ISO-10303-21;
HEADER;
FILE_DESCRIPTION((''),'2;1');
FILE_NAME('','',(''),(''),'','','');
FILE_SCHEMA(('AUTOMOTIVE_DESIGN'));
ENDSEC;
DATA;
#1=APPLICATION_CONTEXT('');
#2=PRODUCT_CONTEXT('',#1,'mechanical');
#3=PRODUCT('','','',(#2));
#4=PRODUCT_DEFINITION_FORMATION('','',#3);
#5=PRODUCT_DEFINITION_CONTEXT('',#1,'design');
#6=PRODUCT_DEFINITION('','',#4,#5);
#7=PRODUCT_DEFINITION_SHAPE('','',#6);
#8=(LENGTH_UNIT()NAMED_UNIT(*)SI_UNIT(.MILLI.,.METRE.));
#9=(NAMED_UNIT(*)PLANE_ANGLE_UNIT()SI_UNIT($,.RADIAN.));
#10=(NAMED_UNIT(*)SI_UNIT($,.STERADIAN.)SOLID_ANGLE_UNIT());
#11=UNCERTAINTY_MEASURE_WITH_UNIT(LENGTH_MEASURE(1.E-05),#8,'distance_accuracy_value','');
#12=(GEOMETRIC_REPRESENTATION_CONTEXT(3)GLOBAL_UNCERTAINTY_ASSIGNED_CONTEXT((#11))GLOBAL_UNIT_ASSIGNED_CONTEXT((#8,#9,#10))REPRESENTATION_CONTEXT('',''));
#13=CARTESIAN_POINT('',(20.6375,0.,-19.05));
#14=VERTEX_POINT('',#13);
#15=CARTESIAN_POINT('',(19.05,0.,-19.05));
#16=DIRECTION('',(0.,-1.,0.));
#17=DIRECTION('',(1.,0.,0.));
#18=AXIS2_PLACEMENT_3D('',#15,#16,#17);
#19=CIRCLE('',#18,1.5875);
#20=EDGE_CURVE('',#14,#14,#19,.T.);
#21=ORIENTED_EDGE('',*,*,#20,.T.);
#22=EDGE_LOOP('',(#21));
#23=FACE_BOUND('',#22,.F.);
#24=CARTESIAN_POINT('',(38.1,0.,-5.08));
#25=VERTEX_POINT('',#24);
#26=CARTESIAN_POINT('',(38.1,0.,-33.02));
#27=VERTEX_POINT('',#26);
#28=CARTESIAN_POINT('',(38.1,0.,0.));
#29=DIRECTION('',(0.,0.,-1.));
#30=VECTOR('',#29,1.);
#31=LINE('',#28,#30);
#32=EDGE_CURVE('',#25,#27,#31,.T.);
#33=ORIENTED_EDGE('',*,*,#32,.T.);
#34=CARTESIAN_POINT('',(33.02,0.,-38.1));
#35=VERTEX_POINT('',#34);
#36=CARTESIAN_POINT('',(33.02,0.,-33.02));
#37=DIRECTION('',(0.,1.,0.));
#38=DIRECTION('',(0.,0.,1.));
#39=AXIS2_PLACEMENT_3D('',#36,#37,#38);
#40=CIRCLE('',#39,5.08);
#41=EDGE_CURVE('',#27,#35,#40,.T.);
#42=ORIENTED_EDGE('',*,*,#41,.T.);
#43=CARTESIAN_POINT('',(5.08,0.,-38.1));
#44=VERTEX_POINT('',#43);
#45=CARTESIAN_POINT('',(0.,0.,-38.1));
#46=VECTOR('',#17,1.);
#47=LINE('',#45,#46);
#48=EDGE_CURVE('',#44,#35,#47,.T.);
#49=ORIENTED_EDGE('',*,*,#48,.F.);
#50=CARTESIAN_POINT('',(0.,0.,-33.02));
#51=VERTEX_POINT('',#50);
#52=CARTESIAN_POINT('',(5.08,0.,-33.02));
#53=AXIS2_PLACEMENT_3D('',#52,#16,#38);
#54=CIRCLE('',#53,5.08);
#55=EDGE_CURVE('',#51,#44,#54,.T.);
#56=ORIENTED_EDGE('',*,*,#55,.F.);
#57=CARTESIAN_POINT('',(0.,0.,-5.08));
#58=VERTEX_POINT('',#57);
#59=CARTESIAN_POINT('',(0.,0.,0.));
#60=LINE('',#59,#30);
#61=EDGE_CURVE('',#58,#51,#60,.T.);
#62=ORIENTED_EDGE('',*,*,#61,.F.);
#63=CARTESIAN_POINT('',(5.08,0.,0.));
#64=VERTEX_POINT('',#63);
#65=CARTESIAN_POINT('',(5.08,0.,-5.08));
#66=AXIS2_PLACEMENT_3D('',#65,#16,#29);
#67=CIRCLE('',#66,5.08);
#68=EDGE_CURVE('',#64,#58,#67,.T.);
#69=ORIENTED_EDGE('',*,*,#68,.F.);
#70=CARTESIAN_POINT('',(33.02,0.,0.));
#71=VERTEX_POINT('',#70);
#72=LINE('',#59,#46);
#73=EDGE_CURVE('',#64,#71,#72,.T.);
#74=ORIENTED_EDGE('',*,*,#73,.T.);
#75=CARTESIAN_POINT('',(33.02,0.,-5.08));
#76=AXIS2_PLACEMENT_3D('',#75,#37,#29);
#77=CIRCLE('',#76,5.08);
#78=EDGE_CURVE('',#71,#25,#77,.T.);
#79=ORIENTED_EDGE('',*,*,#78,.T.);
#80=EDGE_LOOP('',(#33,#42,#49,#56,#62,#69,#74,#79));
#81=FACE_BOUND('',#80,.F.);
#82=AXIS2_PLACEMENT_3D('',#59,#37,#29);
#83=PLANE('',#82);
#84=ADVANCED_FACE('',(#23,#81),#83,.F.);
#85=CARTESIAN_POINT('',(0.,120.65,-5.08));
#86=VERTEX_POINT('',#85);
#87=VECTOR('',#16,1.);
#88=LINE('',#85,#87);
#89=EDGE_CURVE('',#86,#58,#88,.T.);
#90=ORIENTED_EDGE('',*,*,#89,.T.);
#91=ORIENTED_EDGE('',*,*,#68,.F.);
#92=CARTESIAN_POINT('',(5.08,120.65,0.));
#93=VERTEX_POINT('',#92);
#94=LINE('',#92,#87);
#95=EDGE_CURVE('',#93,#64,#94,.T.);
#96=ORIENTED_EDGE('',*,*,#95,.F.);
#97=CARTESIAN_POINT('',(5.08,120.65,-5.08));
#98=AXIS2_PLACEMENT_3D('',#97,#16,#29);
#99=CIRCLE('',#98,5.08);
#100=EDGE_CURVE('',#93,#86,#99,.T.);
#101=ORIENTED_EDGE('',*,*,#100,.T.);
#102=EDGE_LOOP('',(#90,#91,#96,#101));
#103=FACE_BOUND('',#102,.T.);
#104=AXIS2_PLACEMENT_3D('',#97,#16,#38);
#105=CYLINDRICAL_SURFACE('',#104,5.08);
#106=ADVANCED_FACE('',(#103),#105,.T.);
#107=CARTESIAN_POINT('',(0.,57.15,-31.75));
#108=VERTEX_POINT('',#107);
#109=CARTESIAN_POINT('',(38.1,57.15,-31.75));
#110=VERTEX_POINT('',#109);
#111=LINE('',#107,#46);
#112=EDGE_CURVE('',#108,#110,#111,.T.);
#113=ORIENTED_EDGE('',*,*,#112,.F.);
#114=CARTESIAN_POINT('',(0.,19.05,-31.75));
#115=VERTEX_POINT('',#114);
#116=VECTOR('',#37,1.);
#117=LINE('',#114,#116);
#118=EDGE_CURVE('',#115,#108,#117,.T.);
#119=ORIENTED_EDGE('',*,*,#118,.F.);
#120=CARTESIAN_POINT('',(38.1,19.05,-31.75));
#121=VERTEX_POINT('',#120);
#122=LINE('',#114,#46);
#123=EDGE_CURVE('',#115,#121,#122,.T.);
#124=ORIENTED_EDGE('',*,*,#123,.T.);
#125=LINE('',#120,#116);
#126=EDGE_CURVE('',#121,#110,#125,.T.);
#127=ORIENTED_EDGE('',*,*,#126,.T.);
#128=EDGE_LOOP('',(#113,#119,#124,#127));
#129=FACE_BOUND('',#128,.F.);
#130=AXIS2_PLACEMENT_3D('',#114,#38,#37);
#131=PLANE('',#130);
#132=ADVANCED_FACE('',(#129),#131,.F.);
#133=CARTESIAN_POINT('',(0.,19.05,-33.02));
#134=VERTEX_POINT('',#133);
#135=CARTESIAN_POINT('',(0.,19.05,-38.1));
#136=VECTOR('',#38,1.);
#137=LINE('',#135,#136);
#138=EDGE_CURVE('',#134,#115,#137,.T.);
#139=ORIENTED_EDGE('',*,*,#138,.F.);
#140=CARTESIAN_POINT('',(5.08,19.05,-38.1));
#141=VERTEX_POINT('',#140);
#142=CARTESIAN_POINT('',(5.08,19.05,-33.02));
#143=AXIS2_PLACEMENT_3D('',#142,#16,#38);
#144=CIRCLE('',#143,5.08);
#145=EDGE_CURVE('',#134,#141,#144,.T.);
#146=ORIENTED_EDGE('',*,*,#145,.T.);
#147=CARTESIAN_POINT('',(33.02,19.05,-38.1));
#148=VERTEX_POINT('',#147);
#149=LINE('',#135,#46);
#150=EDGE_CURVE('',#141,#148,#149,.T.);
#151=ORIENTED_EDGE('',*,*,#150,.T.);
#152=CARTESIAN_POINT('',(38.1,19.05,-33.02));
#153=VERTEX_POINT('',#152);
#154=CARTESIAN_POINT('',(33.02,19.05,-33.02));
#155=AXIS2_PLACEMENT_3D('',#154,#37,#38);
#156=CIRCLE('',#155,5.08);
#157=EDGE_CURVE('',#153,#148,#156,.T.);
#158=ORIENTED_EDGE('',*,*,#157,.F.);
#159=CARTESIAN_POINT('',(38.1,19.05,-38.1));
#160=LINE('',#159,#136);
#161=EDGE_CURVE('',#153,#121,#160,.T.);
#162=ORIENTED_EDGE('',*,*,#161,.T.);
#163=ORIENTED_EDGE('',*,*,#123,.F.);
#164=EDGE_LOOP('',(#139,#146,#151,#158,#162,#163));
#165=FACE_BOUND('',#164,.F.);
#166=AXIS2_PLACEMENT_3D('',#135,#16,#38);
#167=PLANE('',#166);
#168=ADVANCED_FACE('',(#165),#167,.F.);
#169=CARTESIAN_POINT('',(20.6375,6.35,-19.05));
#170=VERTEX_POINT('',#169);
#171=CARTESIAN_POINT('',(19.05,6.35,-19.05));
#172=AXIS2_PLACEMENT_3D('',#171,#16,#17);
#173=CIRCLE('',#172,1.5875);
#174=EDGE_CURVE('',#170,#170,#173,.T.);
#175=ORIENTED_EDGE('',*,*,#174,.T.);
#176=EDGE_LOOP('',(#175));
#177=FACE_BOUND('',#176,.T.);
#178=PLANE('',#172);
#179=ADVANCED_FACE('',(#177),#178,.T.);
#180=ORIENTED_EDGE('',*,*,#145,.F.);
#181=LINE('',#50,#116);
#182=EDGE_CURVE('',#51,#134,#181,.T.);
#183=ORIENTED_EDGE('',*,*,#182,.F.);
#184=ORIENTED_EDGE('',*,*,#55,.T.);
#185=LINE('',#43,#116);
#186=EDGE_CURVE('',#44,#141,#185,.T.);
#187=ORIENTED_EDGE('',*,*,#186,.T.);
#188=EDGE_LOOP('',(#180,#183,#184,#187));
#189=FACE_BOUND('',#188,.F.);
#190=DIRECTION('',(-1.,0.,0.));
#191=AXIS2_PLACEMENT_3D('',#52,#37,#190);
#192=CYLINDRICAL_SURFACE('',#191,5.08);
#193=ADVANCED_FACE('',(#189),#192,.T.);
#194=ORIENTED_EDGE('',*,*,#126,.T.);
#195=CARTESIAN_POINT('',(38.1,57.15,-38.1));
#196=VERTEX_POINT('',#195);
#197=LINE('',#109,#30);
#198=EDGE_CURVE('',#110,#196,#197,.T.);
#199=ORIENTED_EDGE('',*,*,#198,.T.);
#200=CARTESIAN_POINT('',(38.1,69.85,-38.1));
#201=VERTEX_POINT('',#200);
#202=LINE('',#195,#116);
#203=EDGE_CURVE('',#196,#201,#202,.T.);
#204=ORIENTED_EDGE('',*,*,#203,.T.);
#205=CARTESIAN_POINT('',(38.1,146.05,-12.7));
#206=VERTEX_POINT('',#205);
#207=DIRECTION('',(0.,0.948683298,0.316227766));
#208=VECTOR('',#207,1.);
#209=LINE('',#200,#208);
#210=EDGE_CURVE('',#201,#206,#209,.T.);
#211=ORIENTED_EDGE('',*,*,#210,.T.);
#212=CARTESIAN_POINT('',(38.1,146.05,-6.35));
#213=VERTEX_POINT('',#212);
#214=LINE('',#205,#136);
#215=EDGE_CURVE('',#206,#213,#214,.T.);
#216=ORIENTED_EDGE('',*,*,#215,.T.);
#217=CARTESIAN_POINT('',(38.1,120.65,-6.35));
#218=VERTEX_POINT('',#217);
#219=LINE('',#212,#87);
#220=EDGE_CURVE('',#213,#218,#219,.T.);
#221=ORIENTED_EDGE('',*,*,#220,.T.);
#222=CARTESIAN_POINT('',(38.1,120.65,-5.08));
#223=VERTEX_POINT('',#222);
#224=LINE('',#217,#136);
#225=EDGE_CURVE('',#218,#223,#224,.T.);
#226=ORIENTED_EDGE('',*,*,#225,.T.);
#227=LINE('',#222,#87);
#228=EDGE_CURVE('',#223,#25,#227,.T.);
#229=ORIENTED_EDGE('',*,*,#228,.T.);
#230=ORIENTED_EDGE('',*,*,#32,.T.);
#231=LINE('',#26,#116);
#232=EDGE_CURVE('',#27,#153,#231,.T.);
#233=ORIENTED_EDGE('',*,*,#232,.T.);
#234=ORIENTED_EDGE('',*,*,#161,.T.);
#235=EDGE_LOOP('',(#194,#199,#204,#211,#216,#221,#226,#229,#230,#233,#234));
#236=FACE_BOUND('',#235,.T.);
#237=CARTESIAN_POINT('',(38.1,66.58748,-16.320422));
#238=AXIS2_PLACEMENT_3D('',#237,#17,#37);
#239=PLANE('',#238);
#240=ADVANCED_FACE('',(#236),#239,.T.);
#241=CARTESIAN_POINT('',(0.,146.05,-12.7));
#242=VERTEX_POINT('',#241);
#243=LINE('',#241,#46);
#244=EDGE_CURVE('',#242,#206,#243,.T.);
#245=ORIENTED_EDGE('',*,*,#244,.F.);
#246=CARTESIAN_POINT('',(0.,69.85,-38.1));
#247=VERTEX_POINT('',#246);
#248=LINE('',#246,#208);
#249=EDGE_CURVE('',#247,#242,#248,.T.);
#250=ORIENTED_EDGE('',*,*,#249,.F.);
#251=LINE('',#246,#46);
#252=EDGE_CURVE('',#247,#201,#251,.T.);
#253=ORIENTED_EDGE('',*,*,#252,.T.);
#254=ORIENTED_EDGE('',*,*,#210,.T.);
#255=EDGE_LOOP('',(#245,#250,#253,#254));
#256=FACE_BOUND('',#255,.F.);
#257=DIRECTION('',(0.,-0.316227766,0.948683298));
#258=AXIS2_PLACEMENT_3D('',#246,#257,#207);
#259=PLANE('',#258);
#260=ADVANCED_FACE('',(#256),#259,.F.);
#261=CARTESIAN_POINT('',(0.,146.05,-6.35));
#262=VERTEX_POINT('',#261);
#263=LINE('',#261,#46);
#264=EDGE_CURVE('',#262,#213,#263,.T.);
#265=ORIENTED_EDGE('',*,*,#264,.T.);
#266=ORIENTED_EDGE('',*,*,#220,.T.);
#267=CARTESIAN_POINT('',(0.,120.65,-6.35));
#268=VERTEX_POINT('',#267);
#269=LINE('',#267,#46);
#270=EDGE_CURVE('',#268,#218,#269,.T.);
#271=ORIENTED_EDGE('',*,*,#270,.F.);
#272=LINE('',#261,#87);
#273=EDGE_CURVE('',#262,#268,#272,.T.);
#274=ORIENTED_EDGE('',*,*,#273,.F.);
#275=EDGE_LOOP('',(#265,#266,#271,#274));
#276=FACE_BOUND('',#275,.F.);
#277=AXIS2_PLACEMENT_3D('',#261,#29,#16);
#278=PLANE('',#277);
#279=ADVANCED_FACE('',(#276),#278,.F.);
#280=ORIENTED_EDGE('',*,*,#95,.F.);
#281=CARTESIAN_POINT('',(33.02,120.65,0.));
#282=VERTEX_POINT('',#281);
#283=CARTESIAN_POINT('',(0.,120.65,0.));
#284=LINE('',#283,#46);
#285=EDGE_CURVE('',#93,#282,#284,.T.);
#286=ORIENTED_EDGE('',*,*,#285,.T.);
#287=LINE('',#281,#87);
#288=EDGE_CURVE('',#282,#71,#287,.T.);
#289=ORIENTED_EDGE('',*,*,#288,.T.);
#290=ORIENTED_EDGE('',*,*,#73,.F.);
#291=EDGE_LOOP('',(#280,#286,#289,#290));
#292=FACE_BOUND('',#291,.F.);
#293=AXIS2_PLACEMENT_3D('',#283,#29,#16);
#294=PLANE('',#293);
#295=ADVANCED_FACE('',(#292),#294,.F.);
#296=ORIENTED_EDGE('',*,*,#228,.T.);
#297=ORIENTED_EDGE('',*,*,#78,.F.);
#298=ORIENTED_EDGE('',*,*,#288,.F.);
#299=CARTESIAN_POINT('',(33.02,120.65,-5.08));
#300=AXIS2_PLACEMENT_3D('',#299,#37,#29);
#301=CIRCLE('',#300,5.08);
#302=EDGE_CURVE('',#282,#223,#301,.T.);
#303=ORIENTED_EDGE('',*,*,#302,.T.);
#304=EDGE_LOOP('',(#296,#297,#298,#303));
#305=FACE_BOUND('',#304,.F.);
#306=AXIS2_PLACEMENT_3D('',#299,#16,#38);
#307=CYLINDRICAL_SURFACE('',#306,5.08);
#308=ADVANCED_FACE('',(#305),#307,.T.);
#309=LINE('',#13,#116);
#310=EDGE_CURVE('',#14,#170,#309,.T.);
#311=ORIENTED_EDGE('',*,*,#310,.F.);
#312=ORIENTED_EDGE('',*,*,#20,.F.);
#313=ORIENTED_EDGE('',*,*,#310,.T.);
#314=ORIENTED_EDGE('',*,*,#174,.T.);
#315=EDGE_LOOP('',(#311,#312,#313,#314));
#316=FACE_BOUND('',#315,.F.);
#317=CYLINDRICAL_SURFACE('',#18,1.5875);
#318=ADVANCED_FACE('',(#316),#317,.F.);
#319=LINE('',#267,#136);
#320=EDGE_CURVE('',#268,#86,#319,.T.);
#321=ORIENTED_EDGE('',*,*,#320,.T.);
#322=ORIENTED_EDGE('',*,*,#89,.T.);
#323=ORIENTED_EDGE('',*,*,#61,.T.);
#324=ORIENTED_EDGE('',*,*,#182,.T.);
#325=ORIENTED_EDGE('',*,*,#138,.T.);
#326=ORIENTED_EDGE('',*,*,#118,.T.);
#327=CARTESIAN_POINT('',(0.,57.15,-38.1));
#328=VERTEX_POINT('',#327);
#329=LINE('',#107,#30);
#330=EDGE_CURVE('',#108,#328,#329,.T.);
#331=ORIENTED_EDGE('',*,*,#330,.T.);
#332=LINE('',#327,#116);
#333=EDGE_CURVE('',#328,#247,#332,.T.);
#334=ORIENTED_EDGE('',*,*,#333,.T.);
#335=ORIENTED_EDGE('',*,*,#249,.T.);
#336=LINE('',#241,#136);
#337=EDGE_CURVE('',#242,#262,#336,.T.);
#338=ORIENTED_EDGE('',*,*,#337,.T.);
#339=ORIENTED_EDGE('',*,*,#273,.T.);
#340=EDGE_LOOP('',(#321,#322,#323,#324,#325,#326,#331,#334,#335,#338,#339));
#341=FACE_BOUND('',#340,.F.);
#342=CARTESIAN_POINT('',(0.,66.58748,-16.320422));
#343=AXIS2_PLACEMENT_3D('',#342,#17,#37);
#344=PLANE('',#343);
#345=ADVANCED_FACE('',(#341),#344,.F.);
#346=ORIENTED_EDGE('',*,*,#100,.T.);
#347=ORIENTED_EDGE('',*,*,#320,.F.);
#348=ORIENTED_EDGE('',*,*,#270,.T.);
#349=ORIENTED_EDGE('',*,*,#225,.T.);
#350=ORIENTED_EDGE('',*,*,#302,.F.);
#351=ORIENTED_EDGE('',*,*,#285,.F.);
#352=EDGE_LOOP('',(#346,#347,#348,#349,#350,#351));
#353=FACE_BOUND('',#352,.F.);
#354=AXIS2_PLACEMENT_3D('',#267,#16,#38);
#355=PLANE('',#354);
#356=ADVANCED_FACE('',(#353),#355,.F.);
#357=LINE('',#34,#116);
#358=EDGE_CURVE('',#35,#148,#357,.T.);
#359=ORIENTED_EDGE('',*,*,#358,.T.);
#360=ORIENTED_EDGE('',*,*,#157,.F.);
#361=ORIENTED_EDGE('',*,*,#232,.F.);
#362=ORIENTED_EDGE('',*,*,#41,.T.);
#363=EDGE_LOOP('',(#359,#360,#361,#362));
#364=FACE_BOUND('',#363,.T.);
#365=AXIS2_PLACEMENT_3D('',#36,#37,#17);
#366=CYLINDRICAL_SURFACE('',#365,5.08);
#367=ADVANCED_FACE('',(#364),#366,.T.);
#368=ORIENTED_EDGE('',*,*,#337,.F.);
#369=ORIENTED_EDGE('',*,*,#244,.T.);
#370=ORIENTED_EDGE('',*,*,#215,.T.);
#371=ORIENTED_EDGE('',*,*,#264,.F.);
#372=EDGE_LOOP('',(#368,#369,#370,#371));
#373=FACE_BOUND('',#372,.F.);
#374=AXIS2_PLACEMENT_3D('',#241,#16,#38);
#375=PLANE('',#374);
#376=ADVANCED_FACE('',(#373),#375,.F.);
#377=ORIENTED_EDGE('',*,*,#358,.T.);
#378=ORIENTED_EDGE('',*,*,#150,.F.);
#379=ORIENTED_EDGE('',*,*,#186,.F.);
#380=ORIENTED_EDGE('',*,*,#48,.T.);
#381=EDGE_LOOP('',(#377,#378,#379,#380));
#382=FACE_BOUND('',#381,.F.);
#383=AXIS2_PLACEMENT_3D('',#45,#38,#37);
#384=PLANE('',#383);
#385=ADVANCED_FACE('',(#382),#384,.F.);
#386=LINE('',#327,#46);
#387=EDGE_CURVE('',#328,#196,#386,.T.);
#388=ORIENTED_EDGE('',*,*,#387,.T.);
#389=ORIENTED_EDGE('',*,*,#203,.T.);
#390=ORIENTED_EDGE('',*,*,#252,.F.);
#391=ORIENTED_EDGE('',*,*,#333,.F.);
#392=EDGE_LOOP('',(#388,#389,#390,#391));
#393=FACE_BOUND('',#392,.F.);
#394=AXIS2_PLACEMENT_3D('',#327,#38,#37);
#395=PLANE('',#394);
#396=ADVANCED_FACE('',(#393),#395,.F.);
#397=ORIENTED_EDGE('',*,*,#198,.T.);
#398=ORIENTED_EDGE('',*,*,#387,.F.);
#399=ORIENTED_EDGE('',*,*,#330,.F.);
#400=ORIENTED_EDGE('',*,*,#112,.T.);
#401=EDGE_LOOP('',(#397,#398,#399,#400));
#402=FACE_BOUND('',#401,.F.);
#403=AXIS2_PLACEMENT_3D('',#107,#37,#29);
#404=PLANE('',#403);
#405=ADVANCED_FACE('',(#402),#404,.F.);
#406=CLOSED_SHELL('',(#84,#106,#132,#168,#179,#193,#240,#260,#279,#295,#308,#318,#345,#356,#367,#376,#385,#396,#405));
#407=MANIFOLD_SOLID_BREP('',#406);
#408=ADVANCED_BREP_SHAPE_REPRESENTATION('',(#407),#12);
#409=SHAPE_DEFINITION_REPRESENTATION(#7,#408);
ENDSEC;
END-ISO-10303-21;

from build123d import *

# Parameters (mm, degrees)
F1_DEPTH = 38.1
F2_R     = 1.5875
F3_DEPTH = 6.35
F4_R     = 5.08


with BuildPart() as f1:
    # F0 (on Right) → F1 (new body)
    with BuildSketch(Plane.YZ):
        Polygon((120.65, 0), (0, 0), (0, -38.1), (19.05, -38.1), (19.05, -31.75), (57.15, -31.75), (57.15, -38.1), (69.85, -38.1), (146.05, -12.7), (146.05, -6.35), (120.65, -6.35), align=None)
    extrude(amount=F1_DEPTH)

    # F2 (on face) → F3 (cut)
    with BuildSketch(Plane.XZ):
        with Locations((19.05, -19.05)):
            Circle(F2_R)
    extrude(amount=-F3_DEPTH, mode=Mode.SUBTRACT)

    # F4
    f4_edges = [f1.edges().sort_by_distance(p)[0] for p in [
        (38.1, 60.325, 0),
        (0, 60.325, 0),
        (38.1, 9.525, -38.1),
        (0, 9.525, -38.1),
    ]]
    fillet(f4_edges, radius=F4_R)


solid = f1.part
